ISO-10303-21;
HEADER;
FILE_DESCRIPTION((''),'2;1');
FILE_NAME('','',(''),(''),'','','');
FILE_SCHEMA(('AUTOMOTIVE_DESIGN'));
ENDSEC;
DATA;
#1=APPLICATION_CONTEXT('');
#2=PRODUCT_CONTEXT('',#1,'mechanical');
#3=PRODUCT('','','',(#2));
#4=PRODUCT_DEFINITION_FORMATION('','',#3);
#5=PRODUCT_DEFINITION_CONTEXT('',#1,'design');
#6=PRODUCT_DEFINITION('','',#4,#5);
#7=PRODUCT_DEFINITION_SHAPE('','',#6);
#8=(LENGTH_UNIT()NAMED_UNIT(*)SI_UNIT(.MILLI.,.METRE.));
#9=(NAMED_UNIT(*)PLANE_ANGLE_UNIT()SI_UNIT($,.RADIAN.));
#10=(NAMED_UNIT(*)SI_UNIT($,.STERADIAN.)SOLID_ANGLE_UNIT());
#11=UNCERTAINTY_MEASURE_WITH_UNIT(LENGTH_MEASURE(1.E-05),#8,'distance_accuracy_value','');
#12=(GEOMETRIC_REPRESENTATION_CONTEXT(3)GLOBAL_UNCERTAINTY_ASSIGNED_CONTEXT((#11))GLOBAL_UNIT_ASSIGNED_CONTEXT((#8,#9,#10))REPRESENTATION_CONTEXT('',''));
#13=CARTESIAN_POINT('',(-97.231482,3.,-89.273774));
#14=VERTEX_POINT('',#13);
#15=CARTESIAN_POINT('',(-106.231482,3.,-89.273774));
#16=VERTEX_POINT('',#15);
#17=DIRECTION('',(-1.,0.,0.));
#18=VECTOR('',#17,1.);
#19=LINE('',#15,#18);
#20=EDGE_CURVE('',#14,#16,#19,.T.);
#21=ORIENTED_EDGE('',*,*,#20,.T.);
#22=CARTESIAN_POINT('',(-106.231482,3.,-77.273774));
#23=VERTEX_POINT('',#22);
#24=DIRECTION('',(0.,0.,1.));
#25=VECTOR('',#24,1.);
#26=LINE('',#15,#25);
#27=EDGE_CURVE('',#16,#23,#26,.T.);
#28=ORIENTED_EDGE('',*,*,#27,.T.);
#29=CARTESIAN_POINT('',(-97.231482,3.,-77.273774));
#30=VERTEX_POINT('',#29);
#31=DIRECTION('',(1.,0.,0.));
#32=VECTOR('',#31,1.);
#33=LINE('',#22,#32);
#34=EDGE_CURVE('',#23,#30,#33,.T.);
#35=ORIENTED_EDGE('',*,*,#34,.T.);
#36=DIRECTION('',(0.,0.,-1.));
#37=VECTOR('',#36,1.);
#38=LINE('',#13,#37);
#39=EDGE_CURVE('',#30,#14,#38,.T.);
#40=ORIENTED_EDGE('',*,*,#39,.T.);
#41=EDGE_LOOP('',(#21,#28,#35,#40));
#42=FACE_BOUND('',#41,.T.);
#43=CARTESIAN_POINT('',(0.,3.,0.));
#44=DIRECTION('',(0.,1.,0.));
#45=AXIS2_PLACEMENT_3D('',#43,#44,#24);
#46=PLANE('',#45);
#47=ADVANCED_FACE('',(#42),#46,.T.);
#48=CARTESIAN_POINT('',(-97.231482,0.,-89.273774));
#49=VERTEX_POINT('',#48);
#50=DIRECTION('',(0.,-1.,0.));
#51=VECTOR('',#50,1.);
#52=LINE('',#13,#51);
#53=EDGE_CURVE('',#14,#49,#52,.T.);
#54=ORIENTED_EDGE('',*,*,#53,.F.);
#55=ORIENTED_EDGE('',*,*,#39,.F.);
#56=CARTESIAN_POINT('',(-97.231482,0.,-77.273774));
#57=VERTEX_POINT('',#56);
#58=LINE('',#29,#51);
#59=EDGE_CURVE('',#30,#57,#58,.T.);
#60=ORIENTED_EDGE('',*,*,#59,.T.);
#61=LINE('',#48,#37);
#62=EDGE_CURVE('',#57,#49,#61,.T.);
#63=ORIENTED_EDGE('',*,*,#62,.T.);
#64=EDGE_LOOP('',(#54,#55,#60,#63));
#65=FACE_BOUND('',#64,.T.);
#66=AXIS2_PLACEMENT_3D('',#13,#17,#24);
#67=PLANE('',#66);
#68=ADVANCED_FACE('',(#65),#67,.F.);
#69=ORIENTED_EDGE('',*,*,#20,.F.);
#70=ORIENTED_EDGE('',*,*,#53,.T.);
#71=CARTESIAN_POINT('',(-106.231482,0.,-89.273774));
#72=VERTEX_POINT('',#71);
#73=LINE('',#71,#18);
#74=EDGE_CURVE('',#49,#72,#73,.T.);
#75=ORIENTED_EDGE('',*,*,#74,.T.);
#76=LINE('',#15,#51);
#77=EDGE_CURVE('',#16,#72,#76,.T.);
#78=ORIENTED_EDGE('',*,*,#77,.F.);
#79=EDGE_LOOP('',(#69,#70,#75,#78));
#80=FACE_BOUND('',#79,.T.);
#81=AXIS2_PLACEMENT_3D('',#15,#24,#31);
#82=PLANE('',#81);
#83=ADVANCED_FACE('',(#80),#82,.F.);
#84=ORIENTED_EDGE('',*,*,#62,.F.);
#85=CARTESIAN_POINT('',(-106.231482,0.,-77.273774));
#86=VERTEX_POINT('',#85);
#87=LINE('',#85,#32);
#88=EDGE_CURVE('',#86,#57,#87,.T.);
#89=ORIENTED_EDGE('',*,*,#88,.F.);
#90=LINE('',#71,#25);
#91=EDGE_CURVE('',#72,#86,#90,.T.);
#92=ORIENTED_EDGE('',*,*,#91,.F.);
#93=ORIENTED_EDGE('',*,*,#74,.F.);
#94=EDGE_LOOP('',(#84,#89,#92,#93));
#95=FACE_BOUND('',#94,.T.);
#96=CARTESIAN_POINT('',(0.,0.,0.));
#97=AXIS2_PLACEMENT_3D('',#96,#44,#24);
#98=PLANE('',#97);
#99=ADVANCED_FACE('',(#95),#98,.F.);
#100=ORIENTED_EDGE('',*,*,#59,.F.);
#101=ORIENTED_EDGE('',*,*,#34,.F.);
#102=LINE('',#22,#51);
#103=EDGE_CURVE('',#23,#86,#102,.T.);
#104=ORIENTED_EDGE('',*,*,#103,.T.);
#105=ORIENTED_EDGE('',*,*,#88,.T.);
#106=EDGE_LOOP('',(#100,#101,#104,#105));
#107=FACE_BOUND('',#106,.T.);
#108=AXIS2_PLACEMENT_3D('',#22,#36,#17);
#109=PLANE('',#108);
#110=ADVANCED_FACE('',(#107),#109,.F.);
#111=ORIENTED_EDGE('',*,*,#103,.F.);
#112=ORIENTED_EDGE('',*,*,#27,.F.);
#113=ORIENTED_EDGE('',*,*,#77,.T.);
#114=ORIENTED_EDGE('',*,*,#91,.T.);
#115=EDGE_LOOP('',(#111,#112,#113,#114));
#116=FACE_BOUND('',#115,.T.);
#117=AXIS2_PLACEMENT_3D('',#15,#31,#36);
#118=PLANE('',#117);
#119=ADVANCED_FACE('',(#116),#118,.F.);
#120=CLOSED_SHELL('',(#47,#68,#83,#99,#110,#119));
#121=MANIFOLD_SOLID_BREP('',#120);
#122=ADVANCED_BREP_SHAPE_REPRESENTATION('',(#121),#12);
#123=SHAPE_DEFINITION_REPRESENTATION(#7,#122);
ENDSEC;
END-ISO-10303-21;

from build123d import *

# Parameters (mm, degrees)
ESBO_O1_W                = 9
ESBO_O1_H                = 12
RESSALTO_EXTRUS_O1_DEPTH = 3


with BuildPart() as part:
    # Esboço1 → Ressalto-extrusão1 (new body)
    with BuildSketch(Plane(origin=(0, 0, 0), x_dir=(1, 0, 0), z_dir=(0, 1, 0))):
        with Locations((-101.731482125, 83.2737739)):
            Rectangle(ESBO_O1_W, ESBO_O1_H)
    extrude(amount=RESSALTO_EXTRUS_O1_DEPTH)


solid = part.part
